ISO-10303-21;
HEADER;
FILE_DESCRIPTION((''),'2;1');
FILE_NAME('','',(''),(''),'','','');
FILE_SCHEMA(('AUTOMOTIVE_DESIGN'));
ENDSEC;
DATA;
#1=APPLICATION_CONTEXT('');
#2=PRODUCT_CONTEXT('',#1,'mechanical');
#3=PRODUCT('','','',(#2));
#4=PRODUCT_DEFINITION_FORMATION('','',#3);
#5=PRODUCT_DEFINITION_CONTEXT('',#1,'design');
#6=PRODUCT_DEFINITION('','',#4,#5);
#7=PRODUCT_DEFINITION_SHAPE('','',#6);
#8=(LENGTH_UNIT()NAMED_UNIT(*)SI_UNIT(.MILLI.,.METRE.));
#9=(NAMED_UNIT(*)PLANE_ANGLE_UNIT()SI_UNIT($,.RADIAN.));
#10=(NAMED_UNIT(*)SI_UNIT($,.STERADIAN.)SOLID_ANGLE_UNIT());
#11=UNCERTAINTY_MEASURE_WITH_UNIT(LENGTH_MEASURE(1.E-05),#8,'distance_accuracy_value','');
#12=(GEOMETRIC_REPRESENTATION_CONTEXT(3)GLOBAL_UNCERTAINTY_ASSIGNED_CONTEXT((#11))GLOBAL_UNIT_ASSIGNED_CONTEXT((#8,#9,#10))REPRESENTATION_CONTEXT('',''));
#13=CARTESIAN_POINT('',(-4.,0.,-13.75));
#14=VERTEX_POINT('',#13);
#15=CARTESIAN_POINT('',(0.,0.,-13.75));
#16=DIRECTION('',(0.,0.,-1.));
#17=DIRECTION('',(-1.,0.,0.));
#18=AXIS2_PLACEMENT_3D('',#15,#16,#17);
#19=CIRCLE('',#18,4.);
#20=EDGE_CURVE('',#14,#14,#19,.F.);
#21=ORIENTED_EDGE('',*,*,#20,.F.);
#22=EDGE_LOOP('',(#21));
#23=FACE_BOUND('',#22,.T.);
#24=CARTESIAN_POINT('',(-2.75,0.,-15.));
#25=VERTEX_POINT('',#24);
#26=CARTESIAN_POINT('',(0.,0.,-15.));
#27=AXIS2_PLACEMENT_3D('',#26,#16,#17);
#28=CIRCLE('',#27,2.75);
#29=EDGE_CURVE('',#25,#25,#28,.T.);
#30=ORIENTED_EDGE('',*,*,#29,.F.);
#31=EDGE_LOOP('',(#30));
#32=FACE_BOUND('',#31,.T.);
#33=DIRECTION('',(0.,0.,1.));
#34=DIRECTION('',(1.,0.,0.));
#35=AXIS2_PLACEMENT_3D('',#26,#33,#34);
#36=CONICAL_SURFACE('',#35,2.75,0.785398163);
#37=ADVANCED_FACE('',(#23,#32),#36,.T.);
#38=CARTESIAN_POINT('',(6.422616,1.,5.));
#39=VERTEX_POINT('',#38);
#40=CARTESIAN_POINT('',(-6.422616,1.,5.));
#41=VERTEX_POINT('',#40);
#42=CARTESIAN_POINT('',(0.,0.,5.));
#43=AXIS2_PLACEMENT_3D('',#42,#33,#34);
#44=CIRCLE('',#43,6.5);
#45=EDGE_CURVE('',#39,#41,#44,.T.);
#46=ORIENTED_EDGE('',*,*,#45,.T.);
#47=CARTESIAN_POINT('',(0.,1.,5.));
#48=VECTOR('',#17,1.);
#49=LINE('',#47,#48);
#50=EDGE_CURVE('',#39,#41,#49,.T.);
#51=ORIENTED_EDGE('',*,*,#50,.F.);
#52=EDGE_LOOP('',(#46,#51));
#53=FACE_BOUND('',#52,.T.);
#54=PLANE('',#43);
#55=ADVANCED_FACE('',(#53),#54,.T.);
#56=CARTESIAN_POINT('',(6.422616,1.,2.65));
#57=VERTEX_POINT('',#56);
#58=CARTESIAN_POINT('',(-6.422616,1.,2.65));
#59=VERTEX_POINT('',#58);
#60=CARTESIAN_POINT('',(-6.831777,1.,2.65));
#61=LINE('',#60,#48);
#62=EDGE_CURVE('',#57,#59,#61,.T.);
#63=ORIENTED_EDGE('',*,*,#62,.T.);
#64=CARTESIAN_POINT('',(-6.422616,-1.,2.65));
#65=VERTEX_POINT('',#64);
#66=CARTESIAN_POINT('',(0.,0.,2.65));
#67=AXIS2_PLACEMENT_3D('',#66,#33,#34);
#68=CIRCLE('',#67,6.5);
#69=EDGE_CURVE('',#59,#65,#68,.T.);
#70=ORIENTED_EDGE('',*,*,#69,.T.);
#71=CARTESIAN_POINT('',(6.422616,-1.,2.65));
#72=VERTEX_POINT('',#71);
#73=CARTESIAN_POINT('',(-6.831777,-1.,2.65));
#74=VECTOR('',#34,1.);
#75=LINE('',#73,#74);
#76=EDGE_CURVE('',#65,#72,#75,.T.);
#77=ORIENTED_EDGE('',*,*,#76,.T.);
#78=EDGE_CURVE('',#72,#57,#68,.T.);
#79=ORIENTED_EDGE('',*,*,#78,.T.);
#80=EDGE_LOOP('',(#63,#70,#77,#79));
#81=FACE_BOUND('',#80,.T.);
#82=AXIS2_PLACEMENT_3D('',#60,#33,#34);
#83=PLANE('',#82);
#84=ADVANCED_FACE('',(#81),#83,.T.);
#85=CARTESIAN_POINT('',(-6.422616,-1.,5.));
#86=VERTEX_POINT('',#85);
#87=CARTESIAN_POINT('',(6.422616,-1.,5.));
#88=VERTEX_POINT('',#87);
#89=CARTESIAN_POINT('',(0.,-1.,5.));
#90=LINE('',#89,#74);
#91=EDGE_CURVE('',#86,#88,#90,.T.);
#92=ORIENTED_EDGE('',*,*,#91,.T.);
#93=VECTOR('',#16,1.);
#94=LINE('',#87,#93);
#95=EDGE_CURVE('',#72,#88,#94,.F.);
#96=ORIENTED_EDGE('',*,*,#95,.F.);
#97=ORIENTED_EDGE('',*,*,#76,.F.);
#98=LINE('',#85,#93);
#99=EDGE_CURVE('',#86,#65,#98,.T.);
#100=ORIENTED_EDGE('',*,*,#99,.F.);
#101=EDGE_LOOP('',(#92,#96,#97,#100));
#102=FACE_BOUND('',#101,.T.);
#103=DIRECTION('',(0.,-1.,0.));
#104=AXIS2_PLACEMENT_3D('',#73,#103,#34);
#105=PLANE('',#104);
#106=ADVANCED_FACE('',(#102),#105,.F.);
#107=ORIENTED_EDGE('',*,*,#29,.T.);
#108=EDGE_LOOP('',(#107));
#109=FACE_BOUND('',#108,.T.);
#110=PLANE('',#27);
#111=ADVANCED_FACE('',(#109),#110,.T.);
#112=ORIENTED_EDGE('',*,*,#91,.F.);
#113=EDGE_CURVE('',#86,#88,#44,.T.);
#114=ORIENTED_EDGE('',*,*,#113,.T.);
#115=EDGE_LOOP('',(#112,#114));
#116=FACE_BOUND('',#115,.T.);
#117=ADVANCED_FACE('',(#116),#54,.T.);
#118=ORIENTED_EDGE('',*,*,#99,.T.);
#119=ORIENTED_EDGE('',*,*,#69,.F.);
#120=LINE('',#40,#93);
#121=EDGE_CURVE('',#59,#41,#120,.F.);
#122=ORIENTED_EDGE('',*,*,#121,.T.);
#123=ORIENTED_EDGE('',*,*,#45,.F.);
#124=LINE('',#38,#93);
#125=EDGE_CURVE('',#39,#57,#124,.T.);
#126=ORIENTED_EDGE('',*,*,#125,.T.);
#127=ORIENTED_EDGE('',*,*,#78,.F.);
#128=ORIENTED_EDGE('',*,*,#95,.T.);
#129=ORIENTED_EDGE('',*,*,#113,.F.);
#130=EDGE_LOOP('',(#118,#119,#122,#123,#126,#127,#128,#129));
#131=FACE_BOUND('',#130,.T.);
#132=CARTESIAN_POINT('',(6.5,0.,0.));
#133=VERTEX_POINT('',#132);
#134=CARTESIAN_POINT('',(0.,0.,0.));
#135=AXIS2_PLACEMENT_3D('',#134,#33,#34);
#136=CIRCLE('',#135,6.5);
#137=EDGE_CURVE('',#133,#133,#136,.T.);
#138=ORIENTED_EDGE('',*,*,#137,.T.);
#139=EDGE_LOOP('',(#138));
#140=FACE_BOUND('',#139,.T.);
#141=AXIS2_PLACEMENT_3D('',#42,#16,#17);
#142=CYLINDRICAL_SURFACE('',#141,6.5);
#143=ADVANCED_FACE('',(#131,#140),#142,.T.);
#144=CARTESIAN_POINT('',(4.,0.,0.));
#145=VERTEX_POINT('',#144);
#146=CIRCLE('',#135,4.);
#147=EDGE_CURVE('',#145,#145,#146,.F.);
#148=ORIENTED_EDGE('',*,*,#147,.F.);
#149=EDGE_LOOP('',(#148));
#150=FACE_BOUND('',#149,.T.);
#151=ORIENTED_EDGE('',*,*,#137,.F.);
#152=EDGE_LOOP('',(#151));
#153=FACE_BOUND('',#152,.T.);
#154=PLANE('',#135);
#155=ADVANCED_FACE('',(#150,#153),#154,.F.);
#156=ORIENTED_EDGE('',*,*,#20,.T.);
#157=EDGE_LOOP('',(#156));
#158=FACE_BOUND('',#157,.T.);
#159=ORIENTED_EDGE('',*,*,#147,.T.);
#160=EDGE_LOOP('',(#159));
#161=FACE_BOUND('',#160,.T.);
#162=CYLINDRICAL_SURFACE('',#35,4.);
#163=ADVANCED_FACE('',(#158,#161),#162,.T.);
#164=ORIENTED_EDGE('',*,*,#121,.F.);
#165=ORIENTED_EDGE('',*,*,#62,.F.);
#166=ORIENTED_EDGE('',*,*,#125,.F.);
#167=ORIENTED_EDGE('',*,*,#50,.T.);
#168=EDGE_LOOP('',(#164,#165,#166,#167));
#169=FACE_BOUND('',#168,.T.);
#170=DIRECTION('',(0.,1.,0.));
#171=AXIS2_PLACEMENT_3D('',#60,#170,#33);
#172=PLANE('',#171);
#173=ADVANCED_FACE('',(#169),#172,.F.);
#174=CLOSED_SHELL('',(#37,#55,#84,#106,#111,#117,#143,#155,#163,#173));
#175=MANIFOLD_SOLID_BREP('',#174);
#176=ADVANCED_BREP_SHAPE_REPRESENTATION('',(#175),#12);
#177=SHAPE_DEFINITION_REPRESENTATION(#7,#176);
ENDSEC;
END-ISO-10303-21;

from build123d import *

# Parameters (mm, degrees)
SKETCH_12_R         = 6.5
EXTRUDE_3_DEPTH     = 5
SKETCH_13_R         = 4
EXTRUDE_4_DEPTH     = 15
SKETCH_20_W         = 13.685807656
SKETCH_20_H         = 2
CUT_EXTRUDE_8_DEPTH = 2.35
CHAMFER_1_SIZE      = 1.25


with BuildPart() as part:
    # Эскиз12 → Вытянуть3 (new body)
    with BuildSketch(Plane.XY):
        Circle(SKETCH_12_R)
    extrude(amount=EXTRUDE_3_DEPTH)

    # Эскиз13 → Вытянуть4 (add)
    with BuildSketch(Plane(origin=(0, 0, 0), x_dir=(-1, 0, 0), z_dir=(0, 0, -1))):
        with Locations(Location((0, 0, 0), (0, 0, 180))):
            Circle(SKETCH_13_R)
    extrude(amount=EXTRUDE_4_DEPTH)

    # Эскиз20 → Вырез-Вытянуть8 (cut)
    with BuildSketch(Plane.XY.offset(5)):
        with Locations((0.011126673, 0)):
            Rectangle(SKETCH_20_W, SKETCH_20_H)
    extrude(amount=-CUT_EXTRUDE_8_DEPTH, mode=Mode.SUBTRACT)

    # Фаска1
    chamfer_1_edges = [part.edges().sort_by_distance(p)[0] for p in [
        (-4, 0, -15),
    ]]
    chamfer(chamfer_1_edges, length=CHAMFER_1_SIZE)


solid = part.part
